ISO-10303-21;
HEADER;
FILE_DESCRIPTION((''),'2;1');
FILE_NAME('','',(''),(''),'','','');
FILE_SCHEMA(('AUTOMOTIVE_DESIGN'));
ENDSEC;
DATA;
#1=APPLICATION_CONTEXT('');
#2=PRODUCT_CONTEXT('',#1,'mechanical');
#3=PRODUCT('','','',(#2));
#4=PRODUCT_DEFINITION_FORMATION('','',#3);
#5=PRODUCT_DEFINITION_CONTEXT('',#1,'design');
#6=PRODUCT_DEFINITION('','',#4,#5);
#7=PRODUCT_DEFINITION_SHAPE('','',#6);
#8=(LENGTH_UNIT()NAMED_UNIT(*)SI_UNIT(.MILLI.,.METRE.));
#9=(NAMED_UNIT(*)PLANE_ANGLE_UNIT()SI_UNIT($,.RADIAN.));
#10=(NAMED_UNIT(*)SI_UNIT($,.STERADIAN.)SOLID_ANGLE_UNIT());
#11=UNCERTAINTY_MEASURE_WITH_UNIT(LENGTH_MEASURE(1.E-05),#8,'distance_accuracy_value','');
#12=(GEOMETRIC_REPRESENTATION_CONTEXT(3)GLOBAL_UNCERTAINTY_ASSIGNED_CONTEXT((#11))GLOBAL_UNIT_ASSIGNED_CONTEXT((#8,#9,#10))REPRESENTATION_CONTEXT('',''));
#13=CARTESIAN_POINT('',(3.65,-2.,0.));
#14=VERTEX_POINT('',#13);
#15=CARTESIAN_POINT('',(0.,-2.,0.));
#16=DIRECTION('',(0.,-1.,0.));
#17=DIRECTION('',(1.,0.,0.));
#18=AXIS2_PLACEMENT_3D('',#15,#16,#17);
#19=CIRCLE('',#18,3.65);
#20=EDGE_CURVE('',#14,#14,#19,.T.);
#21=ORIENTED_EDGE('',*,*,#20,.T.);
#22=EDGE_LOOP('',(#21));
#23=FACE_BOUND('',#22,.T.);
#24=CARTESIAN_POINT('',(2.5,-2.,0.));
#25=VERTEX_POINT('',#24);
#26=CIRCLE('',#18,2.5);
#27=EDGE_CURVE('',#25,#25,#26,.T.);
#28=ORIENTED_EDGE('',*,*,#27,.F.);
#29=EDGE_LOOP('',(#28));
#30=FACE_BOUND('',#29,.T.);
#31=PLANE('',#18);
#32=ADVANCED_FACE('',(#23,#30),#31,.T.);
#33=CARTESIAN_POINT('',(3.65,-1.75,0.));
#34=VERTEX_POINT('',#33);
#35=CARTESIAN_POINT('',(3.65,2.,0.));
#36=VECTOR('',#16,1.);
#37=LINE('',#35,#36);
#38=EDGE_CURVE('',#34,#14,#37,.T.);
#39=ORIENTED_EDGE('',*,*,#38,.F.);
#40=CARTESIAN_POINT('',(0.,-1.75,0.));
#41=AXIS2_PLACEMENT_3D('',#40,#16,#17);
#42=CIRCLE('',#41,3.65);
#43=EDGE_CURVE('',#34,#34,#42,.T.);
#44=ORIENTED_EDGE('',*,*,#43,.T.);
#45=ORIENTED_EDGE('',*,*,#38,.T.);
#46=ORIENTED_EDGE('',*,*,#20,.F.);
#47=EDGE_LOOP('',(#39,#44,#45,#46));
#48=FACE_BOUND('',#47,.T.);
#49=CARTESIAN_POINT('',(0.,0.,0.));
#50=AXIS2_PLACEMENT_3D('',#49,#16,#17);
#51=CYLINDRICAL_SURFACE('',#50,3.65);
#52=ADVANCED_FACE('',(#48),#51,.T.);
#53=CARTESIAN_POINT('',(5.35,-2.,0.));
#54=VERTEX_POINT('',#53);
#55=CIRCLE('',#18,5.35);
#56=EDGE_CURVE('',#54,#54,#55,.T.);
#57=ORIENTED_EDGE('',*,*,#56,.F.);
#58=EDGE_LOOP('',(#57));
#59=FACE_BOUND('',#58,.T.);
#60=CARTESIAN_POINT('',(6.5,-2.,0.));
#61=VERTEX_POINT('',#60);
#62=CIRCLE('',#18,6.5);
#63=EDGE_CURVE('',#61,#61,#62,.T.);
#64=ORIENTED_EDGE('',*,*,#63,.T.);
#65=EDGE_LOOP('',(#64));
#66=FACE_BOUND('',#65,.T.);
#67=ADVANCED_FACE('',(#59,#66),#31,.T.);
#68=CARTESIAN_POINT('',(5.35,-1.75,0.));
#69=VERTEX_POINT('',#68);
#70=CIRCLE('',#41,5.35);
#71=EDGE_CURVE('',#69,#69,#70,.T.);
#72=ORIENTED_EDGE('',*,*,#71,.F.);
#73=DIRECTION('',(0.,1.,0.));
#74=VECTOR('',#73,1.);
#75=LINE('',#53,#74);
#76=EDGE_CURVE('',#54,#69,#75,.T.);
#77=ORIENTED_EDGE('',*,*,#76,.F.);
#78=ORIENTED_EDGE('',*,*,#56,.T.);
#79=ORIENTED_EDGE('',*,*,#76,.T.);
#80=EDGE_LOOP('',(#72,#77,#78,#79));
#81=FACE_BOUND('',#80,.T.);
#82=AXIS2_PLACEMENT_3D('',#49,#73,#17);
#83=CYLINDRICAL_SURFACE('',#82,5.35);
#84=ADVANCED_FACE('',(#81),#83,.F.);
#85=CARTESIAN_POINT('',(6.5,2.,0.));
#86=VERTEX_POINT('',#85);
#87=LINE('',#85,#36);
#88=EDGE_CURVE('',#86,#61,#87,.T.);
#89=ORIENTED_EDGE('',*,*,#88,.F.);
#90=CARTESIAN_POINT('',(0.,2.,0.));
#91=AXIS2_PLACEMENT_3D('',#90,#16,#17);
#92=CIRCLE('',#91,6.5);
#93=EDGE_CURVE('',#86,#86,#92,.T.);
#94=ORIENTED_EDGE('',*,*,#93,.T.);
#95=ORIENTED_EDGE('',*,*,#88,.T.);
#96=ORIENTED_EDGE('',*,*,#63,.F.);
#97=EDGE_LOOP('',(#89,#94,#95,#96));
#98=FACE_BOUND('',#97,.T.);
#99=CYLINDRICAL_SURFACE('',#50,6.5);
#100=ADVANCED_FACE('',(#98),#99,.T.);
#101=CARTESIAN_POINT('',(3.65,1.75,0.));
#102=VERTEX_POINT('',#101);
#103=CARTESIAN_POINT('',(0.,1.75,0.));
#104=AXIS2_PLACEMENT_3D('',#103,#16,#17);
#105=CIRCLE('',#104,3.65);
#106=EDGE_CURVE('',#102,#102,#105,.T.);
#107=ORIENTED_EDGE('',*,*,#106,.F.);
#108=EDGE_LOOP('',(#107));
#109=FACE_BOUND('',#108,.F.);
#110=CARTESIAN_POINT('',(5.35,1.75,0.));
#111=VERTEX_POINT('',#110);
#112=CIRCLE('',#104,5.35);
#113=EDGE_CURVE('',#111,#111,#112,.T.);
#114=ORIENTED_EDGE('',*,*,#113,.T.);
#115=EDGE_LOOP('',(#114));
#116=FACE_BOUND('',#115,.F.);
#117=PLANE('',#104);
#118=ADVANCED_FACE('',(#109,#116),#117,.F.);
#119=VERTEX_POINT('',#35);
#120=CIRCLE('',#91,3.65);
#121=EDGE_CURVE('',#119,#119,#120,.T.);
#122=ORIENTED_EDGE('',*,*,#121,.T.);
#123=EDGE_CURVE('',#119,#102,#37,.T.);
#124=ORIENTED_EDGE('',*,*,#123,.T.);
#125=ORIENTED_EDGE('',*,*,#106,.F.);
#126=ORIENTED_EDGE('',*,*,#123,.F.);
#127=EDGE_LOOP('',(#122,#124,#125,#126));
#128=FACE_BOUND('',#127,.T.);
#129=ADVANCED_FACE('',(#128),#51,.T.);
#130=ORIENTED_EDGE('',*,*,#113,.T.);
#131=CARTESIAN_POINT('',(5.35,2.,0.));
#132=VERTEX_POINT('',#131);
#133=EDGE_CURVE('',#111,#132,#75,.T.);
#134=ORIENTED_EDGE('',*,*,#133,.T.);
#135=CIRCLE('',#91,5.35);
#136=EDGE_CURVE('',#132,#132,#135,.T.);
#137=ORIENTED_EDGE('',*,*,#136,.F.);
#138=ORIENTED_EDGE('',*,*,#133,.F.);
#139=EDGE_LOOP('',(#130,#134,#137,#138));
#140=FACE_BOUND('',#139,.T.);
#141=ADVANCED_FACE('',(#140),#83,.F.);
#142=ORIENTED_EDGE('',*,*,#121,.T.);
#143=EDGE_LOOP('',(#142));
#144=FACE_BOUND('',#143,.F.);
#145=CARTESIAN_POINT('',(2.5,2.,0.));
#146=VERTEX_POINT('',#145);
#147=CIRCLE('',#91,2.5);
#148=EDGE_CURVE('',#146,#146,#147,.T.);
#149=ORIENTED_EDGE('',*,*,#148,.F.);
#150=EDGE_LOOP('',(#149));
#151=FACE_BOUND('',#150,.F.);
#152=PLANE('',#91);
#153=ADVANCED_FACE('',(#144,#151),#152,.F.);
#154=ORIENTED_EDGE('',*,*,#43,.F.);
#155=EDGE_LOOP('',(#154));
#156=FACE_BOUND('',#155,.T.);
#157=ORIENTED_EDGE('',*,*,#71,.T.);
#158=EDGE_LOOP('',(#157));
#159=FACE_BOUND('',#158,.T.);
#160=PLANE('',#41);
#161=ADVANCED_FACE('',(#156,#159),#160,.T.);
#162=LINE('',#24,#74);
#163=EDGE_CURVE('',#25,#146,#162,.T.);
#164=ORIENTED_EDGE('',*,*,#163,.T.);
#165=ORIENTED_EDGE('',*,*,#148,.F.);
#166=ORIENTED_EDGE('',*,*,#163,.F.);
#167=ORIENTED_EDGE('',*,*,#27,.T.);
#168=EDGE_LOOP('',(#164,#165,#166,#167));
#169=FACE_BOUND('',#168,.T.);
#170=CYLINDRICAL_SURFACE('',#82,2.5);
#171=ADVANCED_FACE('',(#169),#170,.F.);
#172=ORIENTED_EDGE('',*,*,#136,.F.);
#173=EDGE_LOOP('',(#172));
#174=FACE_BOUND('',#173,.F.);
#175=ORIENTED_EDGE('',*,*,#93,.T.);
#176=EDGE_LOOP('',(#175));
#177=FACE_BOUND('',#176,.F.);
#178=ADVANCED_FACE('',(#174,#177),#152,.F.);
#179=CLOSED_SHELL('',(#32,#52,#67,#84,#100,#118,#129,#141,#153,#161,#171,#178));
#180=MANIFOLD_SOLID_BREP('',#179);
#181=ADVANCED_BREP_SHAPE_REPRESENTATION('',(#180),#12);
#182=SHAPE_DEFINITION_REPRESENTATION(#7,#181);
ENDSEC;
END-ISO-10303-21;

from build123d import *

# Parameters (mm, degrees)
F1_R     = 6.5
F1_R_2   = 5.35
F2_DEPTH = 2
F3_R     = 3.65
F3_R_2   = 2.5
F4_DEPTH = 2
F5_R     = 5.35
F5_R_2   = 3.65
F6_DEPTH = 1.75


with BuildPart() as f2:
    # F1 (on Front) → F2 (new body, symmetric)
    with BuildSketch(Plane.XZ):
        Circle(F1_R)
        Circle(F1_R_2, mode=Mode.SUBTRACT)
    extrude(amount=F2_DEPTH, both=True)



with BuildPart() as f4:
    # F3 (on Front) → F4 (new body, symmetric)
    with BuildSketch(Plane.XZ):
        Circle(F3_R)
        Circle(F3_R_2, mode=Mode.SUBTRACT)
    extrude(amount=F4_DEPTH, both=True)


with BuildPart() as f2_1:
    add(f2.part)

    add(f4.part)  # F6 merges F4
    # F5 (on Front) → F6 (join, symmetric)
    with BuildSketch(Plane.XZ):
        Circle(F5_R)
        Circle(F5_R_2, mode=Mode.SUBTRACT)
    extrude(amount=F6_DEPTH, both=True)


solid = f2_1.part
